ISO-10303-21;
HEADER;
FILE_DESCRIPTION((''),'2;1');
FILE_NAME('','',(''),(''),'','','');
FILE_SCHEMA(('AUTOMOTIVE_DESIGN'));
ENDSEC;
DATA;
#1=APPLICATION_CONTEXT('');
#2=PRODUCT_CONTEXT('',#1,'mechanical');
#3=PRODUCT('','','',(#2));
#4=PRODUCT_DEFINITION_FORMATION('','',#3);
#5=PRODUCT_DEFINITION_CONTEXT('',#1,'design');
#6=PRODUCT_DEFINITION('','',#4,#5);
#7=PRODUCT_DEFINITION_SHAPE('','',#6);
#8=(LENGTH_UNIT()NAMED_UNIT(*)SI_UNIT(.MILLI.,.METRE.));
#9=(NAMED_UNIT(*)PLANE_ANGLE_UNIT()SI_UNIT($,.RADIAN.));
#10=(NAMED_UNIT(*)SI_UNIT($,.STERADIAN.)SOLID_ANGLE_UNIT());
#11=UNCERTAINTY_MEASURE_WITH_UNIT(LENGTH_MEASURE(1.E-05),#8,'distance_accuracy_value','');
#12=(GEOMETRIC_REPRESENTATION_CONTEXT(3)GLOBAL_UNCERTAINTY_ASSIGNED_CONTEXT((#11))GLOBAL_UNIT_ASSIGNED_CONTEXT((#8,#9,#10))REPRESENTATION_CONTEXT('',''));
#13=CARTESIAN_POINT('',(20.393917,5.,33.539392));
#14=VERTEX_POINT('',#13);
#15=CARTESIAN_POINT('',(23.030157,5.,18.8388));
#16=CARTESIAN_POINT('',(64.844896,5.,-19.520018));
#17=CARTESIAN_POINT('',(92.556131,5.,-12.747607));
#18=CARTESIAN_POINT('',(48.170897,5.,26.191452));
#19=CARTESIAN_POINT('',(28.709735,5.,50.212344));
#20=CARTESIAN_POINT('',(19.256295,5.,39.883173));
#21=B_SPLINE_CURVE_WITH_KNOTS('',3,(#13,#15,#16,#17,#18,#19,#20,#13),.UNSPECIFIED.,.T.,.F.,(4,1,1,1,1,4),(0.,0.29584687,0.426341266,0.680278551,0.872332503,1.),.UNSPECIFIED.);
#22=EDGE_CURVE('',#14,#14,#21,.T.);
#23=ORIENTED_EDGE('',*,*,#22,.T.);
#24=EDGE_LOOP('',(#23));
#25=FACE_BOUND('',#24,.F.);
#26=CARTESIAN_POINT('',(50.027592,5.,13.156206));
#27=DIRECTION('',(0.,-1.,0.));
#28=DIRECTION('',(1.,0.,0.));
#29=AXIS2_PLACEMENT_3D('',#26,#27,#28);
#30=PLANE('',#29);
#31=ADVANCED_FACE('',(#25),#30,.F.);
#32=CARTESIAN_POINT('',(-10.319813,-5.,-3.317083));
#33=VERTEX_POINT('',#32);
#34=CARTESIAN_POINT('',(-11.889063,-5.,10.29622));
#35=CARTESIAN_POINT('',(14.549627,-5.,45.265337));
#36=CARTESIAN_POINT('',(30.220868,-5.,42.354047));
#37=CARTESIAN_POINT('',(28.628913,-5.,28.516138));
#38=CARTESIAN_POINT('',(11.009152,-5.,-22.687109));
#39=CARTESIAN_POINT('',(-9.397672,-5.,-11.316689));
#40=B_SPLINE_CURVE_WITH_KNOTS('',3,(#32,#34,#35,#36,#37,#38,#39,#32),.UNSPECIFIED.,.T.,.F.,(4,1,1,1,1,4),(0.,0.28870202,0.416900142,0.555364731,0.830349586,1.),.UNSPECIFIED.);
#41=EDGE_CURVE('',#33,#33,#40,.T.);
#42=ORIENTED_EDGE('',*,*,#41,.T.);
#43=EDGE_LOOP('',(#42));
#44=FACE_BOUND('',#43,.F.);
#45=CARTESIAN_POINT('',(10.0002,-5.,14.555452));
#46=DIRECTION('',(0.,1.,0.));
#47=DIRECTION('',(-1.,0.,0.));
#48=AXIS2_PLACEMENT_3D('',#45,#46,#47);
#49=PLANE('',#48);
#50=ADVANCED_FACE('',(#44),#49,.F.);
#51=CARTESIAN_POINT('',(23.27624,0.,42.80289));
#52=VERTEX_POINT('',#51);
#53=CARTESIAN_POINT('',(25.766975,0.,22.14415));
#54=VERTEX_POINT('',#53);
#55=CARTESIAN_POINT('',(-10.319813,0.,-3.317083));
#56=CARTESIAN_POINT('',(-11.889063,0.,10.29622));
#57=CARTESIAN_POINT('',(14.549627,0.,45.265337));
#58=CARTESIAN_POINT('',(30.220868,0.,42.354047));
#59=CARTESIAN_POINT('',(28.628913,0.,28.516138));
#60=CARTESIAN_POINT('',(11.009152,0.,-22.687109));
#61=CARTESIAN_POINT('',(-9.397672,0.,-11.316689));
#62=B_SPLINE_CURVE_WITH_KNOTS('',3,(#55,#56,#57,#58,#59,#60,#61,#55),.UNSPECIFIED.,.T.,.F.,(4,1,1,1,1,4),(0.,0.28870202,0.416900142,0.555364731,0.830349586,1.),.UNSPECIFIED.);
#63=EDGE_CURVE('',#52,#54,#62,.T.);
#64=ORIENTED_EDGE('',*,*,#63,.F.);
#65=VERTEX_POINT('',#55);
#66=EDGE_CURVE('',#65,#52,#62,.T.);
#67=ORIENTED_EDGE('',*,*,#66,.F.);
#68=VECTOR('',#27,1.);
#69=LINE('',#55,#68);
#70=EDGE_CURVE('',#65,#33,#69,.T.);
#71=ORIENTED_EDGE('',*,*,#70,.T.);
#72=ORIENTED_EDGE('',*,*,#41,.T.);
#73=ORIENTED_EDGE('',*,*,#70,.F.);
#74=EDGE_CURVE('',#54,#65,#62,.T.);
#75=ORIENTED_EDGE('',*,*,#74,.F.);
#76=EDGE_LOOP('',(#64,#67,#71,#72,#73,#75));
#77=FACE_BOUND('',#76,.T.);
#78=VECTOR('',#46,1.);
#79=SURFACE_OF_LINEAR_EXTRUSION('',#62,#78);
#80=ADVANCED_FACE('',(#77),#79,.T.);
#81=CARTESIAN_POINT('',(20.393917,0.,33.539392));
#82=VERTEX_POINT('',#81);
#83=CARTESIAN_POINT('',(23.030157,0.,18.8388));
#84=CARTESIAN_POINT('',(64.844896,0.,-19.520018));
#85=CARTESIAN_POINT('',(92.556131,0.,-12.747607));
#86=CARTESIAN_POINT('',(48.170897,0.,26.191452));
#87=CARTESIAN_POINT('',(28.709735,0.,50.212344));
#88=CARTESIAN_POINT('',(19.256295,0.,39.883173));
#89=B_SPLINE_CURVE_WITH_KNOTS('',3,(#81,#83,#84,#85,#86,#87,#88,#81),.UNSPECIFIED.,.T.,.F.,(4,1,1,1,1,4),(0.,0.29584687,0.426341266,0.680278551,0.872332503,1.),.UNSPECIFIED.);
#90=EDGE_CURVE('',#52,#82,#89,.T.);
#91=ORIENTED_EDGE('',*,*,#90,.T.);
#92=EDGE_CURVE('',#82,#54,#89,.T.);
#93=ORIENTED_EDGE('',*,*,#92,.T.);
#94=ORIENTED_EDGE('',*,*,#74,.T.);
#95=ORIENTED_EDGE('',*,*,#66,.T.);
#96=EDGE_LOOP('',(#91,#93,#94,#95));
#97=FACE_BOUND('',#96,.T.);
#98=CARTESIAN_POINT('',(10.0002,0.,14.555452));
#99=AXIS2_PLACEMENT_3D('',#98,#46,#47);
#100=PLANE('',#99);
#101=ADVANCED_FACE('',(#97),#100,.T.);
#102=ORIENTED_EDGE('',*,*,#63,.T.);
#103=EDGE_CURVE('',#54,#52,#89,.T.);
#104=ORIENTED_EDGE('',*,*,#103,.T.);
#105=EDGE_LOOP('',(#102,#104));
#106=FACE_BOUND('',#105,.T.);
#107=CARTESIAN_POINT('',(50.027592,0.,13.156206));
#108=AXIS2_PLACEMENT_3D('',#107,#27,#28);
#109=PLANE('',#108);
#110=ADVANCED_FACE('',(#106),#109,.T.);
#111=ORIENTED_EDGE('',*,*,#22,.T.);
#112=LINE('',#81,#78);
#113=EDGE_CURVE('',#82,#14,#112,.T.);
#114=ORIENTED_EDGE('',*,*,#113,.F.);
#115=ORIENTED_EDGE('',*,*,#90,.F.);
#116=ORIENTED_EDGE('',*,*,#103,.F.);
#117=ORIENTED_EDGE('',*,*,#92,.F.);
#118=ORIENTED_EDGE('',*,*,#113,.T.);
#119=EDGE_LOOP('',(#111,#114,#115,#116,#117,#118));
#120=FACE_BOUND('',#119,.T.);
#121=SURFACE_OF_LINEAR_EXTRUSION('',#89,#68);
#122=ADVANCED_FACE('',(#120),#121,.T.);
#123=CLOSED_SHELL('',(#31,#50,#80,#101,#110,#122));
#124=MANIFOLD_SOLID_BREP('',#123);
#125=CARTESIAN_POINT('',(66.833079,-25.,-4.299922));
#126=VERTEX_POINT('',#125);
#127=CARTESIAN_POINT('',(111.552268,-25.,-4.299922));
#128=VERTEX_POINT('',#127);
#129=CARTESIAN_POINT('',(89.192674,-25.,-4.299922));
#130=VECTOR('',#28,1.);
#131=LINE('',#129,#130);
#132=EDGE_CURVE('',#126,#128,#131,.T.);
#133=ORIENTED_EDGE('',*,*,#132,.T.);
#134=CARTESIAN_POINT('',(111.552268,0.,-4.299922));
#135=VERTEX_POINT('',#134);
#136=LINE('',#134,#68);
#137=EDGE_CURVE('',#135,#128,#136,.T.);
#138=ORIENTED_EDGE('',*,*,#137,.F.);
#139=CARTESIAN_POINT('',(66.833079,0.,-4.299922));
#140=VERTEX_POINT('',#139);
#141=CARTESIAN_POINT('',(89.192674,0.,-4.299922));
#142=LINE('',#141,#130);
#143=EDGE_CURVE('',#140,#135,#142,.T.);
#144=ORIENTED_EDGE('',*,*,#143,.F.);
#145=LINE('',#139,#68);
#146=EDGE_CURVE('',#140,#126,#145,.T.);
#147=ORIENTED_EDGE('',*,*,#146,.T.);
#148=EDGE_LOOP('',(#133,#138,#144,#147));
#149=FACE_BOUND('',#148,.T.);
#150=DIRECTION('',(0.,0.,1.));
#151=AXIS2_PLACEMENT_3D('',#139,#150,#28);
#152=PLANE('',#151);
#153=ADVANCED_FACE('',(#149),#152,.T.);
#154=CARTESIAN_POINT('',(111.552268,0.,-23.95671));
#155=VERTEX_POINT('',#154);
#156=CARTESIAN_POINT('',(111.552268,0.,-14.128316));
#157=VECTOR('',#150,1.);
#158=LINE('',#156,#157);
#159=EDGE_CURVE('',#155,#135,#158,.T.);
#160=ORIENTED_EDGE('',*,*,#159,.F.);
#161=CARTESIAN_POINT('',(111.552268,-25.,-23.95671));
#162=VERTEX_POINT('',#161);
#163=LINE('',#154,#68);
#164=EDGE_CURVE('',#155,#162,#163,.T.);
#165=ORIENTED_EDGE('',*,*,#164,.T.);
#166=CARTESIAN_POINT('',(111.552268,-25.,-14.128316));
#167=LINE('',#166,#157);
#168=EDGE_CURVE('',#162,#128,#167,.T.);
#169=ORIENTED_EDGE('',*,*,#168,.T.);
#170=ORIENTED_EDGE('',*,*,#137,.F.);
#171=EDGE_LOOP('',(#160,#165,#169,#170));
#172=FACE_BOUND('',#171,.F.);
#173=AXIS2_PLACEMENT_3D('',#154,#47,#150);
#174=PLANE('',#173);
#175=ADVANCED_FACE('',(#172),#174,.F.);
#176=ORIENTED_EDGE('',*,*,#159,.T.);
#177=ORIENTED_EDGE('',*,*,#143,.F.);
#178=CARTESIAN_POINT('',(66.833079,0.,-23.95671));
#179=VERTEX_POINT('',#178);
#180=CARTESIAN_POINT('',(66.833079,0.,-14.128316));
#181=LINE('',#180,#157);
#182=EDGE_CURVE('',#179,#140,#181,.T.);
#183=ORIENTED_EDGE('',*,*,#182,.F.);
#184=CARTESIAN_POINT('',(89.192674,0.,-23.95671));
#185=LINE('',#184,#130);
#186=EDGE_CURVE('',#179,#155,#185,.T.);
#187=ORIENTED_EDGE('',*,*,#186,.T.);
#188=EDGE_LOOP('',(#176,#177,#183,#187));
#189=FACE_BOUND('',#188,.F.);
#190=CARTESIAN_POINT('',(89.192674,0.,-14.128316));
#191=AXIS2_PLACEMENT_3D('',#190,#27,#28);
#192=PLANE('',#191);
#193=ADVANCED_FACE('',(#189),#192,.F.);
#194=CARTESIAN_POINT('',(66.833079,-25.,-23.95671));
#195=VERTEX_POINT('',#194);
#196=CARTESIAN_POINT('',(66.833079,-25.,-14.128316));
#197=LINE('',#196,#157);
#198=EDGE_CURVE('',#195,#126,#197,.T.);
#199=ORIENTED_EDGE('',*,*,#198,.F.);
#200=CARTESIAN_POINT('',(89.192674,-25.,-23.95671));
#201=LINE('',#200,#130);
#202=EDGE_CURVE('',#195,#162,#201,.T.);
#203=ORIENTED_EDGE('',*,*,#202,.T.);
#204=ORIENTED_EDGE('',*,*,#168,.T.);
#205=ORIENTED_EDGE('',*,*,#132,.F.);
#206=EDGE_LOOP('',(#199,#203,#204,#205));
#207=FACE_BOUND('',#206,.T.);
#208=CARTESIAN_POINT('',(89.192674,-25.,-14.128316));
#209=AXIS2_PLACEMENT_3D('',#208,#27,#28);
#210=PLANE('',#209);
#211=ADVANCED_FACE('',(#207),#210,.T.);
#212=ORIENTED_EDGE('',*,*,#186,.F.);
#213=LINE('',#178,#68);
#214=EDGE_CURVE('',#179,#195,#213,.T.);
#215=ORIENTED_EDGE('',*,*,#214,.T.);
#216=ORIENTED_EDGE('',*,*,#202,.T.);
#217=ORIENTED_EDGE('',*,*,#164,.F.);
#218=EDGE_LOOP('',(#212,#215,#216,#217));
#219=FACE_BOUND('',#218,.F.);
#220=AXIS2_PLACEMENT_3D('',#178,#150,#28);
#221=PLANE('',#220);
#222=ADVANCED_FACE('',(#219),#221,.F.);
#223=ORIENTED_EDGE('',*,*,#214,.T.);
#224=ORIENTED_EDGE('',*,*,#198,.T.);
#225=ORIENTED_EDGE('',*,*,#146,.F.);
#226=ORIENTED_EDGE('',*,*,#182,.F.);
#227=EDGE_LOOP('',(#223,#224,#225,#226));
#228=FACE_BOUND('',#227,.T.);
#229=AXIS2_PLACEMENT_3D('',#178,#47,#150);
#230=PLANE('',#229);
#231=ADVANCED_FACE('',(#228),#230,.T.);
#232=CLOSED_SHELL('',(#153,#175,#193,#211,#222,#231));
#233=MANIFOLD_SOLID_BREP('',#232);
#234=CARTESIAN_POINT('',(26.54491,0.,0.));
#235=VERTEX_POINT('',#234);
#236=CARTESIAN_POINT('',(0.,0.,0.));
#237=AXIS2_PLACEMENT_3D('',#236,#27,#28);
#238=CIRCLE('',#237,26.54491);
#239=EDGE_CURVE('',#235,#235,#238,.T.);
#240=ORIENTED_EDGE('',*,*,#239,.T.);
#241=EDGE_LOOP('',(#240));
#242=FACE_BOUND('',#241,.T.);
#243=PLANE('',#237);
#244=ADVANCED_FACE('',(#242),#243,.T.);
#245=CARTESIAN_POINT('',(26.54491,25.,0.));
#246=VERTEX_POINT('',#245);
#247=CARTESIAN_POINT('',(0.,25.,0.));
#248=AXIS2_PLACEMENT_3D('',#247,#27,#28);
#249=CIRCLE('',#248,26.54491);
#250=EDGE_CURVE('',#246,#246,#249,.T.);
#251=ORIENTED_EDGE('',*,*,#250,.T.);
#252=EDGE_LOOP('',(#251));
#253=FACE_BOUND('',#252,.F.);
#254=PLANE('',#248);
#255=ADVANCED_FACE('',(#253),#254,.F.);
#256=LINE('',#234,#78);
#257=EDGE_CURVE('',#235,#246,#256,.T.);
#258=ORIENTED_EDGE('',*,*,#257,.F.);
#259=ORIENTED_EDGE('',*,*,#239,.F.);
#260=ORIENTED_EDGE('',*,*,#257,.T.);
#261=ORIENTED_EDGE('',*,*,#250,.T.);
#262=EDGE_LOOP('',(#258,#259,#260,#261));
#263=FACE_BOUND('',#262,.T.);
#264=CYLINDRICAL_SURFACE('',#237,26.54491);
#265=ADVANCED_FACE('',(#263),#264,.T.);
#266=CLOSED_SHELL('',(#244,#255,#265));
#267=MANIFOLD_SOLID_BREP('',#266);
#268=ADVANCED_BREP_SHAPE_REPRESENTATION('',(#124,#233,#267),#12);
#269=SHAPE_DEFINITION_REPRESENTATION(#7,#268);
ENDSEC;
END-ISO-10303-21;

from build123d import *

# Parameters (mm, degrees)
F0_R     = 26.544910058
F4_DEPTH = 25
F5_DEPTH = 5
F6_DEPTH = 5
F3_W     = 44.7191894054
F3_H     = 19.6567885578
F7_DEPTH = 25


with BuildPart() as f4:
    # F0 (on Front) → F4 (new body)
    with BuildSketch(Plane.XZ):
        Circle(F0_R)
    extrude(amount=-F4_DEPTH)


with BuildPart() as f5:
    # F1 (on Front) → F5 (new body)
    with BuildSketch(Plane.XZ):
        with BuildLine():
            add(Edge.make_bspline(
                [(-10.3198131546, -3.3170829993), (-11.8890634952, 10.2962199882), (14.5496274497, 45.2653370113), (30.220868416, 42.3540469249), (28.6289132638, 28.5161384059), (11.0091519267, -22.6871094968), (-9.3976721486, -11.3166893002), (-10.3198131546, -3.3170829993)],
                knots=[0, 0, 0, 0, 0.2887020196, 0.4169001424, 0.5553647315, 0.8303495855, 1, 1, 1, 1], degree=3))
        make_face()
    extrude(amount=F5_DEPTH)

    # F2 (on Front) → F6 (join)
    with BuildSketch(Plane.XZ):
        with BuildLine():
            add(Edge.make_bspline(
                [(20.3939173371, 33.5393920541), (23.0301568367, 18.838800103), (64.8448963321, -19.5200184773), (92.5561306468, -12.747607384), (48.1708967423, 26.191451856), (28.7097349019, 50.21234436), (19.2562946879, 39.8831731718), (20.3939173371, 33.5393920541)],
                knots=[0, 0, 0, 0, 0.2958468696, 0.4263412659, 0.6802785509, 0.8723325026, 1, 1, 1, 1], degree=3))
        make_face()
    extrude(amount=-F6_DEPTH)


with BuildPart() as f7:
    # F3 (on Front) → F7 (new body)
    with BuildSketch(Plane.XZ):
        with Locations((89.192673564, -14.1283161938)):
            Rectangle(F3_W, F3_H)
    extrude(amount=F7_DEPTH)


solid = Compound([f4.part, f5.part, f7.part])
